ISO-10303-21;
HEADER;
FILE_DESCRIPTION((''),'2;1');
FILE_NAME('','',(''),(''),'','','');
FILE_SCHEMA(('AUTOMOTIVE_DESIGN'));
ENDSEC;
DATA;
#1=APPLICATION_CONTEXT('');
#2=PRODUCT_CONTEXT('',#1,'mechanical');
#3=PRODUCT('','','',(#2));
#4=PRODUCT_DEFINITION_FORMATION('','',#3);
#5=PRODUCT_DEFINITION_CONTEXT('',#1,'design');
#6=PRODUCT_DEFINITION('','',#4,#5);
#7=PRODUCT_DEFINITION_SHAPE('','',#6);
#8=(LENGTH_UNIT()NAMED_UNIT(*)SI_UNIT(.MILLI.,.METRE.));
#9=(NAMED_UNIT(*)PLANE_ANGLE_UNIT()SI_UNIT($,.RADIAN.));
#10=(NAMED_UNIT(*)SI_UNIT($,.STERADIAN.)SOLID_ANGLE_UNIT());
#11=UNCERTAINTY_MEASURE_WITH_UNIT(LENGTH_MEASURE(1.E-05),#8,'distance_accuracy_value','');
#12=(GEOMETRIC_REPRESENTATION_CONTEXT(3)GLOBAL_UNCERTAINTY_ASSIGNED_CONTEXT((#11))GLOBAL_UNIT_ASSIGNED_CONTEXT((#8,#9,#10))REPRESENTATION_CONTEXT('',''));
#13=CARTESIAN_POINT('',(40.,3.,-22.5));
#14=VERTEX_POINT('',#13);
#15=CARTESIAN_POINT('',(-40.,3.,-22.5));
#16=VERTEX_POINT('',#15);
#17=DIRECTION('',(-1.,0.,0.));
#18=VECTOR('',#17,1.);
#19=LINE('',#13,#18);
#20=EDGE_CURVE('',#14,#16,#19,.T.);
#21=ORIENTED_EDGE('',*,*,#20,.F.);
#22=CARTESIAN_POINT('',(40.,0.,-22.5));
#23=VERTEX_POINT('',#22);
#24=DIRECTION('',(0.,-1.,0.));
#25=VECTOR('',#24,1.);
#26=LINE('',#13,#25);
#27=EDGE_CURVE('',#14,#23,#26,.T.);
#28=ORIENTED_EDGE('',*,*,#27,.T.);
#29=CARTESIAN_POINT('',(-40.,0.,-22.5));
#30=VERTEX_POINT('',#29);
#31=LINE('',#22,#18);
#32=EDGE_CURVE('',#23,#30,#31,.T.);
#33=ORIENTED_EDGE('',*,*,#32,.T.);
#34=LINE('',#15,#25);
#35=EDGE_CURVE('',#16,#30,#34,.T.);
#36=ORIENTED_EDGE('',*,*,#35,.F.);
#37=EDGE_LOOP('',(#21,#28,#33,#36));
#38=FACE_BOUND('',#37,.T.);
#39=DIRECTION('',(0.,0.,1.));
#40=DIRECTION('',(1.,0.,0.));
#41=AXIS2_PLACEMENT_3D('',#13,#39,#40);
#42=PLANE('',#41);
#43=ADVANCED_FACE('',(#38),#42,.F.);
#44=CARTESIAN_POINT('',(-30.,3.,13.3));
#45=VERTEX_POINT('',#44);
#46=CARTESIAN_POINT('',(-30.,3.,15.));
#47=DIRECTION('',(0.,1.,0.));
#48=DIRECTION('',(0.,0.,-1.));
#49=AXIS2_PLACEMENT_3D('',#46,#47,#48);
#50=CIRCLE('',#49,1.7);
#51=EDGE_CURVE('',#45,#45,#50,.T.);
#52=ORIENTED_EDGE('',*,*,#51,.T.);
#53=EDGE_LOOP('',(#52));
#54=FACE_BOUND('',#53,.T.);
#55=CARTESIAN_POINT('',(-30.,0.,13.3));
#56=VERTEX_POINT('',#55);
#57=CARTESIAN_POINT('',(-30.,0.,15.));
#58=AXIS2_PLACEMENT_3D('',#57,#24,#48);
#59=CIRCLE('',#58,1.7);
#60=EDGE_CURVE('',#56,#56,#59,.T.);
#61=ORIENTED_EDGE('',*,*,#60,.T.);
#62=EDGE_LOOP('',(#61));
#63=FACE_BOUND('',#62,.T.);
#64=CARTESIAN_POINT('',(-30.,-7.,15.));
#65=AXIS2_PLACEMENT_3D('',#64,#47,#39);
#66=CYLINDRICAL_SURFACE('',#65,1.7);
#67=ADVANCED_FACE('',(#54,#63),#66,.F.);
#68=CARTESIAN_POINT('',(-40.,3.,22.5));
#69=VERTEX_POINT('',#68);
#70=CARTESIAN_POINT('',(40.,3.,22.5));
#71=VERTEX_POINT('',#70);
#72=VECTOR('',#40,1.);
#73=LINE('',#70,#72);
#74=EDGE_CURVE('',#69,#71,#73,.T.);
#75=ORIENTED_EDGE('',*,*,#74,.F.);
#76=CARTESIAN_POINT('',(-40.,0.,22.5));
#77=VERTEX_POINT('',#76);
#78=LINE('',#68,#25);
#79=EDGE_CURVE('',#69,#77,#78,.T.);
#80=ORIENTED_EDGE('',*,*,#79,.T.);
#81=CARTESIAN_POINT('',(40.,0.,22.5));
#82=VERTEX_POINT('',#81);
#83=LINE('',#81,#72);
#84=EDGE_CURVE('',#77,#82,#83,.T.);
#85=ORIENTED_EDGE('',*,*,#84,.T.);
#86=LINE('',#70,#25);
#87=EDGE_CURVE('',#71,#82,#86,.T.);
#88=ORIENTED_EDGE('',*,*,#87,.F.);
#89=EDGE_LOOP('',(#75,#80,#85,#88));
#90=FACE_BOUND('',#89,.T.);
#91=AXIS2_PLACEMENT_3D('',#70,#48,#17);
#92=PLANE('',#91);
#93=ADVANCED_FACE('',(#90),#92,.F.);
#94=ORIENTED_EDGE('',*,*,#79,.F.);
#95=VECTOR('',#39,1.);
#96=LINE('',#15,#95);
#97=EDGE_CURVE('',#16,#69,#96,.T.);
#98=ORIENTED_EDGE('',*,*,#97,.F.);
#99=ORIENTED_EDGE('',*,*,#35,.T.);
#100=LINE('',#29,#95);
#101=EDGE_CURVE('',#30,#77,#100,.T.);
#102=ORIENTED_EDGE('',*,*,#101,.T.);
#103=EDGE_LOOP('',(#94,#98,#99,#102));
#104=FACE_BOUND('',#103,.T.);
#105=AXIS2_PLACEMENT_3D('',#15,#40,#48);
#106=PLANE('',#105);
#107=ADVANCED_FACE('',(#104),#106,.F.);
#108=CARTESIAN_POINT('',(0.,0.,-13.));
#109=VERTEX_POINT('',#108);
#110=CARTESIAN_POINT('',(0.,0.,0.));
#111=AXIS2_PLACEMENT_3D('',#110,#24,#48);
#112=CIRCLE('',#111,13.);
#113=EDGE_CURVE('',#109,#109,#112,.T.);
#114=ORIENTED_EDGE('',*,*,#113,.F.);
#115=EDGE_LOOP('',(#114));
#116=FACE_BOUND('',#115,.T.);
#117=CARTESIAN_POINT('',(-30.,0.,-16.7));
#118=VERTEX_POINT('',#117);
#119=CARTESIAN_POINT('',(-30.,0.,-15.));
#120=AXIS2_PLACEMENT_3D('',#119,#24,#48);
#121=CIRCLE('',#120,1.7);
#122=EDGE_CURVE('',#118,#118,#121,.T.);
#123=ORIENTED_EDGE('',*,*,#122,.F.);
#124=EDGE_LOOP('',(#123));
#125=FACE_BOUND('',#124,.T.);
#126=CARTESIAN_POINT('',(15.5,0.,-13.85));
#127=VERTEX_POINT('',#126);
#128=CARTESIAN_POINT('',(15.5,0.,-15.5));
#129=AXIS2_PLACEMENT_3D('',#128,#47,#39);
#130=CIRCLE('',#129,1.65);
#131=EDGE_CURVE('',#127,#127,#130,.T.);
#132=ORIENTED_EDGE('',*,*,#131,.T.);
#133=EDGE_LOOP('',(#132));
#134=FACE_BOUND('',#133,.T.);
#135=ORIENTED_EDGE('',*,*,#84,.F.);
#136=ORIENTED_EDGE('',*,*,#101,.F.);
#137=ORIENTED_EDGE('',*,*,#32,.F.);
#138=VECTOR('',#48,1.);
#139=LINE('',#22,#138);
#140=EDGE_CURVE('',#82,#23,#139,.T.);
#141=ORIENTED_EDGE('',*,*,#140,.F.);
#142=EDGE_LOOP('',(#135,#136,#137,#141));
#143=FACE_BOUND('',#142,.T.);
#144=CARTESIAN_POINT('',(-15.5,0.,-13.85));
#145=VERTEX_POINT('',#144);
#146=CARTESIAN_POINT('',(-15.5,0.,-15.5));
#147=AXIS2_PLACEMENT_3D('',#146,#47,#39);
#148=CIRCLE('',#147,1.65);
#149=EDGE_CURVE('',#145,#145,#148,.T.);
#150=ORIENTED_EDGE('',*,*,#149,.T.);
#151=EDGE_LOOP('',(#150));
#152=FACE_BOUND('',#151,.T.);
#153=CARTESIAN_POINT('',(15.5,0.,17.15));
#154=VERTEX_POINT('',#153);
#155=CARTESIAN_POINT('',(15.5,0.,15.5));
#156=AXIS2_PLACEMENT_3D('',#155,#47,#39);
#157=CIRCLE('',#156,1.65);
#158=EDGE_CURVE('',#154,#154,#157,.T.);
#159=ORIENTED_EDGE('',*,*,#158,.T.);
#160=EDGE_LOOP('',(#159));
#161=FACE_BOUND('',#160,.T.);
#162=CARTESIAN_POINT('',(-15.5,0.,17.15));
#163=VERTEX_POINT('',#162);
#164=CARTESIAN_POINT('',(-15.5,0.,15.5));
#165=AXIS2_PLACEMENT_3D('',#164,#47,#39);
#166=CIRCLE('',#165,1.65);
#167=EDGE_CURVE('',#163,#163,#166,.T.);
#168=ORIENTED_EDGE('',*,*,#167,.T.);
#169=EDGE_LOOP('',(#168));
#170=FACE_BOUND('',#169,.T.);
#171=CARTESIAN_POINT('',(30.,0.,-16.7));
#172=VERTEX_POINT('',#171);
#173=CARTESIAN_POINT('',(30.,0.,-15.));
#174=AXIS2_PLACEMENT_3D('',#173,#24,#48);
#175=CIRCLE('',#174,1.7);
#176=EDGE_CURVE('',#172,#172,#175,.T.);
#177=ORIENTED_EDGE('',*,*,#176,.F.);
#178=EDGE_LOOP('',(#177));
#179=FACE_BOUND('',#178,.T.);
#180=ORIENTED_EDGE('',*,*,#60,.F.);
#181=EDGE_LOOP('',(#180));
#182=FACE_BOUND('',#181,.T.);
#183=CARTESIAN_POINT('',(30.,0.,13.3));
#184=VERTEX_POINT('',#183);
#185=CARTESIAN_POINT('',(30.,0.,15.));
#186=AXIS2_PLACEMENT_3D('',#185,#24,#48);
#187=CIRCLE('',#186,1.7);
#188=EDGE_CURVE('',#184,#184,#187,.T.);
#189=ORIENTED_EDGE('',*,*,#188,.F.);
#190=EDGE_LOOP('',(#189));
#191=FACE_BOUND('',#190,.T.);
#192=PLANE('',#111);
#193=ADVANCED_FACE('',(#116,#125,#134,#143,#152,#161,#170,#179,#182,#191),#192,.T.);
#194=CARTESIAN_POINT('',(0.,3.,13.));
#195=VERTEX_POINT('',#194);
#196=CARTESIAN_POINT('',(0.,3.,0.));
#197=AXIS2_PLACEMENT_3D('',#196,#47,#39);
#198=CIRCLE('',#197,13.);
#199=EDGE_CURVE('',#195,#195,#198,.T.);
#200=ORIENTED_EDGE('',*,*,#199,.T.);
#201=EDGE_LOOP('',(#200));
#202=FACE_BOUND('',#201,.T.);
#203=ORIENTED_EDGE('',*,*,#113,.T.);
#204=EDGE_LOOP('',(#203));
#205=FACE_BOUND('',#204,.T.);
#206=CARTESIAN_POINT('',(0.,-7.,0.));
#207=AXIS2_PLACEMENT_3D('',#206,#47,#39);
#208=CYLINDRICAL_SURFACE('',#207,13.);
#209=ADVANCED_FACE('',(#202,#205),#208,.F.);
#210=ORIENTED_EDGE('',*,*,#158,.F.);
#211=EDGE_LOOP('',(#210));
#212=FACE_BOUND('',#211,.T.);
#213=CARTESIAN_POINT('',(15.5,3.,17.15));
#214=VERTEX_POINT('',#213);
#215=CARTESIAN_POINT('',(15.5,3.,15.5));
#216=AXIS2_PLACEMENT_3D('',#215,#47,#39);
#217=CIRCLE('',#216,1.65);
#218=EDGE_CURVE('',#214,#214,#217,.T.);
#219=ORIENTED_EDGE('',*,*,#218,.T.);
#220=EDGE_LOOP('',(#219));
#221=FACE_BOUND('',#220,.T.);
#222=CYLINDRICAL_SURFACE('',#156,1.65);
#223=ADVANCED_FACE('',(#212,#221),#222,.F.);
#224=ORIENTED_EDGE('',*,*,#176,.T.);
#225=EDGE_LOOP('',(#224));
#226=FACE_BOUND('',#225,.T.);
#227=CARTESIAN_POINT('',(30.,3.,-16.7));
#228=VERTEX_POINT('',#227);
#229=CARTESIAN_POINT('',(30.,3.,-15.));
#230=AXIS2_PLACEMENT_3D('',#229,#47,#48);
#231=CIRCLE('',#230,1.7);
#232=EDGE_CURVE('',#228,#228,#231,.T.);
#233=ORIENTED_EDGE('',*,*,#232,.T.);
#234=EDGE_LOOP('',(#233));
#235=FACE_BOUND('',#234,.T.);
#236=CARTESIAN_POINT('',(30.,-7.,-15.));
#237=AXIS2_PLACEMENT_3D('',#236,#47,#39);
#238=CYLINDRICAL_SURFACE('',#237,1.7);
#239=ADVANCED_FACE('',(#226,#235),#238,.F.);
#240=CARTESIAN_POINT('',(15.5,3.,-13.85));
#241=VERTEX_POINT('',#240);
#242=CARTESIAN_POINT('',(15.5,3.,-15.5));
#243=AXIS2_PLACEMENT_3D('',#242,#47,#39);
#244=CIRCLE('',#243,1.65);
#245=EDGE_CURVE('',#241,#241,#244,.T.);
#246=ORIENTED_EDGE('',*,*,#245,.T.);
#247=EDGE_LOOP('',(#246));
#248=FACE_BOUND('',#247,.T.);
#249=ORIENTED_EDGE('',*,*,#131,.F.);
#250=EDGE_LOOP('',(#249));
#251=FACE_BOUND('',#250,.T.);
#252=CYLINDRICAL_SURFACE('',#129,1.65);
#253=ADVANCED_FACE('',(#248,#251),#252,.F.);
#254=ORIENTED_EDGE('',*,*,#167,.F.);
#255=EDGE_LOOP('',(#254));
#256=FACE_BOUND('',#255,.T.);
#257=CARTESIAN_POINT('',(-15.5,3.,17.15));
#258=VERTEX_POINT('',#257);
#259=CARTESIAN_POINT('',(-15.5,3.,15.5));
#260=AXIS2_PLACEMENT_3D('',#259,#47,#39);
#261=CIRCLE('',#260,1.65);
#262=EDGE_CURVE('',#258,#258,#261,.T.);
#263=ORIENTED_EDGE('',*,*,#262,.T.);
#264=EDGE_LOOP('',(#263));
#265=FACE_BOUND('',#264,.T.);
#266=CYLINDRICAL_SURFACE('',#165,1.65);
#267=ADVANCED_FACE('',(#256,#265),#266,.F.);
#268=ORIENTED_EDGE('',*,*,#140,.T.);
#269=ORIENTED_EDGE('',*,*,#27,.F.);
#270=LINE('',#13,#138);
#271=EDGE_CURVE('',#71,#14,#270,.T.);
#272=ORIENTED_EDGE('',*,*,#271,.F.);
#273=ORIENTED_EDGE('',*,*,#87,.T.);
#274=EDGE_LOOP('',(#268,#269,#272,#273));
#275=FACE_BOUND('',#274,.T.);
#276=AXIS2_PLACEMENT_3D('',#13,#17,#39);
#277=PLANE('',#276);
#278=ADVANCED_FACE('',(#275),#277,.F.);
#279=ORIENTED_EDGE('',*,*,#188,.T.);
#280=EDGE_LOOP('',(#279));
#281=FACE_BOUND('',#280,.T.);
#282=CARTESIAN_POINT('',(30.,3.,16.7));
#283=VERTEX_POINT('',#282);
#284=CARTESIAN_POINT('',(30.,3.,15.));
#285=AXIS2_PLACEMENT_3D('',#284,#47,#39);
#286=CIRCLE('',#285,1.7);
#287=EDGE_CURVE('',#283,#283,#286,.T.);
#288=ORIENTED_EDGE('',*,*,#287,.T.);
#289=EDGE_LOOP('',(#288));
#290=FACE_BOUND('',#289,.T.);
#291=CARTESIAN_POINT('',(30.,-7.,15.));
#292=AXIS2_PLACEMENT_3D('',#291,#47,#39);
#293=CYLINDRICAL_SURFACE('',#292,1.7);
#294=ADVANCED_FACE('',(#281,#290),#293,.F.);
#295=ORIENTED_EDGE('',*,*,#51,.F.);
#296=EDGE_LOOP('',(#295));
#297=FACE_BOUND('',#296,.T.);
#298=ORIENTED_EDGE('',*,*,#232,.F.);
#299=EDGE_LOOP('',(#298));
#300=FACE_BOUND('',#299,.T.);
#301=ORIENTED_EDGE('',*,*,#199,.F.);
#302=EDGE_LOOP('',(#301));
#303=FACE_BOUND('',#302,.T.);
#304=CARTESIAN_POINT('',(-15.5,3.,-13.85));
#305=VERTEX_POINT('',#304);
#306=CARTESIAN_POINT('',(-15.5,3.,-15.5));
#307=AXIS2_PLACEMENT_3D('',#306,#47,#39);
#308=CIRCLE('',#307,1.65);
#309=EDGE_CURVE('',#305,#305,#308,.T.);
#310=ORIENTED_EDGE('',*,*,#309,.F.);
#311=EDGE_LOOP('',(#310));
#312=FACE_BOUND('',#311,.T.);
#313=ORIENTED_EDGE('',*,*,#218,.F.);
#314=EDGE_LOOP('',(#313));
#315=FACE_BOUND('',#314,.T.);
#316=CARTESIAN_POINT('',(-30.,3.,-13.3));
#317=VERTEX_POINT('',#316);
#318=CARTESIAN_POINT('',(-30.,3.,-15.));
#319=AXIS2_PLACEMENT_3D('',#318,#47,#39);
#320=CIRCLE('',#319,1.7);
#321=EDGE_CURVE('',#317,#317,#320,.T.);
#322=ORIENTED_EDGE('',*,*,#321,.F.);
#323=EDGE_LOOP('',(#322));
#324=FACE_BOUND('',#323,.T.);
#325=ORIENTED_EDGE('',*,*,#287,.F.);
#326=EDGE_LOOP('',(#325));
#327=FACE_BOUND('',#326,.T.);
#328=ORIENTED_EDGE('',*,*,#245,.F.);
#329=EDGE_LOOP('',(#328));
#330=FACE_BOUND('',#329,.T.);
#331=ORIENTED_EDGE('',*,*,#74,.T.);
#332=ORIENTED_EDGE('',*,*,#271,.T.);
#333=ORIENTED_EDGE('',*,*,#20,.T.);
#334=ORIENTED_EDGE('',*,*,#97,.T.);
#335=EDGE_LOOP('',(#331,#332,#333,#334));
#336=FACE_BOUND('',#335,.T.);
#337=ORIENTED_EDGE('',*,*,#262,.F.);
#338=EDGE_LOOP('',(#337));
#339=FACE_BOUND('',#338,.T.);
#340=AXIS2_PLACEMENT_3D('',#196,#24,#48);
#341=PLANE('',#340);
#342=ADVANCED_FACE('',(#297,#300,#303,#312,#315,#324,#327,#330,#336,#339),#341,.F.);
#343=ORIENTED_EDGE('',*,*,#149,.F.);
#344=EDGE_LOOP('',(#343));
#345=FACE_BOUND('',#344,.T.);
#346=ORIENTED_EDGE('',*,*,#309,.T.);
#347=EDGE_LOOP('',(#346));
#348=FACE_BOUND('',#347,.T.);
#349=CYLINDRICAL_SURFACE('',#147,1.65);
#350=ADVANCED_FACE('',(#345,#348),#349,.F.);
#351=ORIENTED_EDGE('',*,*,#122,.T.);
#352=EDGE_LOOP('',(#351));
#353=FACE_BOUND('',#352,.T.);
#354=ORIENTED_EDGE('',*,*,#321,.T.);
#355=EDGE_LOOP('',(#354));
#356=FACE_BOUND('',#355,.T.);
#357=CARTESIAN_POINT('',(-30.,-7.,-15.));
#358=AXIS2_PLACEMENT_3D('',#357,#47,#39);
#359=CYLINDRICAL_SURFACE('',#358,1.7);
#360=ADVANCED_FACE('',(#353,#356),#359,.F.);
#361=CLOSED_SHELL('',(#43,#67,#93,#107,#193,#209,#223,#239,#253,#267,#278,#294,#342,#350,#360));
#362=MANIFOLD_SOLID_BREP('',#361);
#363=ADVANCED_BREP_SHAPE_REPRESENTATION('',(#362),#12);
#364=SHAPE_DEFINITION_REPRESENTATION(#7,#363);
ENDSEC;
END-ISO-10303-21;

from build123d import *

# Parameters (mm, degrees)
SKETCH_1_W          = 80
SKETCH_1_H          = 45
EXTRUDE_1_DEPTH     = 3
SKETCH_2_R          = 1.65
CUT_EXTRUDE_1_DEPTH = 3
SKETCH_3_R          = 13
CUT_EXTRUDE_2_DEPTH = 10
SKETCH_5_R          = 1.7
CUT_EXTRUDE_4_DEPTH = 10


with BuildPart() as part:
    # 草图1 → 凸台-拉伸1 (new body)
    with BuildSketch(Plane(origin=(0, 0, 0), x_dir=(1, 0, 0), z_dir=(0, 1, 0))):
        Rectangle(SKETCH_1_W, SKETCH_1_H)
    extrude(amount=EXTRUDE_1_DEPTH)

    # 草图2 → 切除-拉伸1 (cut)
    with BuildSketch(Plane(origin=(0, 3, 0), x_dir=(1, 0, 0), z_dir=(0, 1, 0))):
        with Locations(Location((-15.5, 15.5, 0), (0, 0, 270))):
            Circle(SKETCH_2_R)
        with Locations(Location((15.5, 15.5, 0), (0, 0, 270))):
            Circle(SKETCH_2_R)
        with Locations(Location((-15.5, -15.5, 0), (0, 0, 270))):
            Circle(SKETCH_2_R)
        with Locations(Location((15.5, -15.5, 0), (0, 0, 270))):
            Circle(SKETCH_2_R)
    extrude(amount=-CUT_EXTRUDE_1_DEPTH, mode=Mode.SUBTRACT)

    # 草图3 → 切除-拉伸2 (cut)
    with BuildSketch(Plane(origin=(0, 3, 0), x_dir=(1, 0, 0), z_dir=(0, 1, 0))):
        with Locations(Location((0, 0, 0), (0, 0, 270))):
            Circle(SKETCH_3_R)
    extrude(amount=-CUT_EXTRUDE_2_DEPTH, mode=Mode.SUBTRACT)

    # 草图5 → 切除-拉伸4 (cut)
    with BuildSketch(Plane(origin=(0, 3, 0), x_dir=(1, 0, 0), z_dir=(0, 1, 0))):
        with Locations(Location((-30, 15, 0), (0, 0, 270))):
            Circle(SKETCH_5_R)
        with Locations(Location((30, 15, 0), (0, 0, 90))):
            Circle(SKETCH_5_R)
        with Locations(Location((-30, -15, 0), (0, 0, 90))):
            Circle(SKETCH_5_R)
        with Locations(Location((30, -15, 0), (0, 0, 270))):
            Circle(SKETCH_5_R)
    extrude(amount=-CUT_EXTRUDE_4_DEPTH, mode=Mode.SUBTRACT)


solid = part.part
